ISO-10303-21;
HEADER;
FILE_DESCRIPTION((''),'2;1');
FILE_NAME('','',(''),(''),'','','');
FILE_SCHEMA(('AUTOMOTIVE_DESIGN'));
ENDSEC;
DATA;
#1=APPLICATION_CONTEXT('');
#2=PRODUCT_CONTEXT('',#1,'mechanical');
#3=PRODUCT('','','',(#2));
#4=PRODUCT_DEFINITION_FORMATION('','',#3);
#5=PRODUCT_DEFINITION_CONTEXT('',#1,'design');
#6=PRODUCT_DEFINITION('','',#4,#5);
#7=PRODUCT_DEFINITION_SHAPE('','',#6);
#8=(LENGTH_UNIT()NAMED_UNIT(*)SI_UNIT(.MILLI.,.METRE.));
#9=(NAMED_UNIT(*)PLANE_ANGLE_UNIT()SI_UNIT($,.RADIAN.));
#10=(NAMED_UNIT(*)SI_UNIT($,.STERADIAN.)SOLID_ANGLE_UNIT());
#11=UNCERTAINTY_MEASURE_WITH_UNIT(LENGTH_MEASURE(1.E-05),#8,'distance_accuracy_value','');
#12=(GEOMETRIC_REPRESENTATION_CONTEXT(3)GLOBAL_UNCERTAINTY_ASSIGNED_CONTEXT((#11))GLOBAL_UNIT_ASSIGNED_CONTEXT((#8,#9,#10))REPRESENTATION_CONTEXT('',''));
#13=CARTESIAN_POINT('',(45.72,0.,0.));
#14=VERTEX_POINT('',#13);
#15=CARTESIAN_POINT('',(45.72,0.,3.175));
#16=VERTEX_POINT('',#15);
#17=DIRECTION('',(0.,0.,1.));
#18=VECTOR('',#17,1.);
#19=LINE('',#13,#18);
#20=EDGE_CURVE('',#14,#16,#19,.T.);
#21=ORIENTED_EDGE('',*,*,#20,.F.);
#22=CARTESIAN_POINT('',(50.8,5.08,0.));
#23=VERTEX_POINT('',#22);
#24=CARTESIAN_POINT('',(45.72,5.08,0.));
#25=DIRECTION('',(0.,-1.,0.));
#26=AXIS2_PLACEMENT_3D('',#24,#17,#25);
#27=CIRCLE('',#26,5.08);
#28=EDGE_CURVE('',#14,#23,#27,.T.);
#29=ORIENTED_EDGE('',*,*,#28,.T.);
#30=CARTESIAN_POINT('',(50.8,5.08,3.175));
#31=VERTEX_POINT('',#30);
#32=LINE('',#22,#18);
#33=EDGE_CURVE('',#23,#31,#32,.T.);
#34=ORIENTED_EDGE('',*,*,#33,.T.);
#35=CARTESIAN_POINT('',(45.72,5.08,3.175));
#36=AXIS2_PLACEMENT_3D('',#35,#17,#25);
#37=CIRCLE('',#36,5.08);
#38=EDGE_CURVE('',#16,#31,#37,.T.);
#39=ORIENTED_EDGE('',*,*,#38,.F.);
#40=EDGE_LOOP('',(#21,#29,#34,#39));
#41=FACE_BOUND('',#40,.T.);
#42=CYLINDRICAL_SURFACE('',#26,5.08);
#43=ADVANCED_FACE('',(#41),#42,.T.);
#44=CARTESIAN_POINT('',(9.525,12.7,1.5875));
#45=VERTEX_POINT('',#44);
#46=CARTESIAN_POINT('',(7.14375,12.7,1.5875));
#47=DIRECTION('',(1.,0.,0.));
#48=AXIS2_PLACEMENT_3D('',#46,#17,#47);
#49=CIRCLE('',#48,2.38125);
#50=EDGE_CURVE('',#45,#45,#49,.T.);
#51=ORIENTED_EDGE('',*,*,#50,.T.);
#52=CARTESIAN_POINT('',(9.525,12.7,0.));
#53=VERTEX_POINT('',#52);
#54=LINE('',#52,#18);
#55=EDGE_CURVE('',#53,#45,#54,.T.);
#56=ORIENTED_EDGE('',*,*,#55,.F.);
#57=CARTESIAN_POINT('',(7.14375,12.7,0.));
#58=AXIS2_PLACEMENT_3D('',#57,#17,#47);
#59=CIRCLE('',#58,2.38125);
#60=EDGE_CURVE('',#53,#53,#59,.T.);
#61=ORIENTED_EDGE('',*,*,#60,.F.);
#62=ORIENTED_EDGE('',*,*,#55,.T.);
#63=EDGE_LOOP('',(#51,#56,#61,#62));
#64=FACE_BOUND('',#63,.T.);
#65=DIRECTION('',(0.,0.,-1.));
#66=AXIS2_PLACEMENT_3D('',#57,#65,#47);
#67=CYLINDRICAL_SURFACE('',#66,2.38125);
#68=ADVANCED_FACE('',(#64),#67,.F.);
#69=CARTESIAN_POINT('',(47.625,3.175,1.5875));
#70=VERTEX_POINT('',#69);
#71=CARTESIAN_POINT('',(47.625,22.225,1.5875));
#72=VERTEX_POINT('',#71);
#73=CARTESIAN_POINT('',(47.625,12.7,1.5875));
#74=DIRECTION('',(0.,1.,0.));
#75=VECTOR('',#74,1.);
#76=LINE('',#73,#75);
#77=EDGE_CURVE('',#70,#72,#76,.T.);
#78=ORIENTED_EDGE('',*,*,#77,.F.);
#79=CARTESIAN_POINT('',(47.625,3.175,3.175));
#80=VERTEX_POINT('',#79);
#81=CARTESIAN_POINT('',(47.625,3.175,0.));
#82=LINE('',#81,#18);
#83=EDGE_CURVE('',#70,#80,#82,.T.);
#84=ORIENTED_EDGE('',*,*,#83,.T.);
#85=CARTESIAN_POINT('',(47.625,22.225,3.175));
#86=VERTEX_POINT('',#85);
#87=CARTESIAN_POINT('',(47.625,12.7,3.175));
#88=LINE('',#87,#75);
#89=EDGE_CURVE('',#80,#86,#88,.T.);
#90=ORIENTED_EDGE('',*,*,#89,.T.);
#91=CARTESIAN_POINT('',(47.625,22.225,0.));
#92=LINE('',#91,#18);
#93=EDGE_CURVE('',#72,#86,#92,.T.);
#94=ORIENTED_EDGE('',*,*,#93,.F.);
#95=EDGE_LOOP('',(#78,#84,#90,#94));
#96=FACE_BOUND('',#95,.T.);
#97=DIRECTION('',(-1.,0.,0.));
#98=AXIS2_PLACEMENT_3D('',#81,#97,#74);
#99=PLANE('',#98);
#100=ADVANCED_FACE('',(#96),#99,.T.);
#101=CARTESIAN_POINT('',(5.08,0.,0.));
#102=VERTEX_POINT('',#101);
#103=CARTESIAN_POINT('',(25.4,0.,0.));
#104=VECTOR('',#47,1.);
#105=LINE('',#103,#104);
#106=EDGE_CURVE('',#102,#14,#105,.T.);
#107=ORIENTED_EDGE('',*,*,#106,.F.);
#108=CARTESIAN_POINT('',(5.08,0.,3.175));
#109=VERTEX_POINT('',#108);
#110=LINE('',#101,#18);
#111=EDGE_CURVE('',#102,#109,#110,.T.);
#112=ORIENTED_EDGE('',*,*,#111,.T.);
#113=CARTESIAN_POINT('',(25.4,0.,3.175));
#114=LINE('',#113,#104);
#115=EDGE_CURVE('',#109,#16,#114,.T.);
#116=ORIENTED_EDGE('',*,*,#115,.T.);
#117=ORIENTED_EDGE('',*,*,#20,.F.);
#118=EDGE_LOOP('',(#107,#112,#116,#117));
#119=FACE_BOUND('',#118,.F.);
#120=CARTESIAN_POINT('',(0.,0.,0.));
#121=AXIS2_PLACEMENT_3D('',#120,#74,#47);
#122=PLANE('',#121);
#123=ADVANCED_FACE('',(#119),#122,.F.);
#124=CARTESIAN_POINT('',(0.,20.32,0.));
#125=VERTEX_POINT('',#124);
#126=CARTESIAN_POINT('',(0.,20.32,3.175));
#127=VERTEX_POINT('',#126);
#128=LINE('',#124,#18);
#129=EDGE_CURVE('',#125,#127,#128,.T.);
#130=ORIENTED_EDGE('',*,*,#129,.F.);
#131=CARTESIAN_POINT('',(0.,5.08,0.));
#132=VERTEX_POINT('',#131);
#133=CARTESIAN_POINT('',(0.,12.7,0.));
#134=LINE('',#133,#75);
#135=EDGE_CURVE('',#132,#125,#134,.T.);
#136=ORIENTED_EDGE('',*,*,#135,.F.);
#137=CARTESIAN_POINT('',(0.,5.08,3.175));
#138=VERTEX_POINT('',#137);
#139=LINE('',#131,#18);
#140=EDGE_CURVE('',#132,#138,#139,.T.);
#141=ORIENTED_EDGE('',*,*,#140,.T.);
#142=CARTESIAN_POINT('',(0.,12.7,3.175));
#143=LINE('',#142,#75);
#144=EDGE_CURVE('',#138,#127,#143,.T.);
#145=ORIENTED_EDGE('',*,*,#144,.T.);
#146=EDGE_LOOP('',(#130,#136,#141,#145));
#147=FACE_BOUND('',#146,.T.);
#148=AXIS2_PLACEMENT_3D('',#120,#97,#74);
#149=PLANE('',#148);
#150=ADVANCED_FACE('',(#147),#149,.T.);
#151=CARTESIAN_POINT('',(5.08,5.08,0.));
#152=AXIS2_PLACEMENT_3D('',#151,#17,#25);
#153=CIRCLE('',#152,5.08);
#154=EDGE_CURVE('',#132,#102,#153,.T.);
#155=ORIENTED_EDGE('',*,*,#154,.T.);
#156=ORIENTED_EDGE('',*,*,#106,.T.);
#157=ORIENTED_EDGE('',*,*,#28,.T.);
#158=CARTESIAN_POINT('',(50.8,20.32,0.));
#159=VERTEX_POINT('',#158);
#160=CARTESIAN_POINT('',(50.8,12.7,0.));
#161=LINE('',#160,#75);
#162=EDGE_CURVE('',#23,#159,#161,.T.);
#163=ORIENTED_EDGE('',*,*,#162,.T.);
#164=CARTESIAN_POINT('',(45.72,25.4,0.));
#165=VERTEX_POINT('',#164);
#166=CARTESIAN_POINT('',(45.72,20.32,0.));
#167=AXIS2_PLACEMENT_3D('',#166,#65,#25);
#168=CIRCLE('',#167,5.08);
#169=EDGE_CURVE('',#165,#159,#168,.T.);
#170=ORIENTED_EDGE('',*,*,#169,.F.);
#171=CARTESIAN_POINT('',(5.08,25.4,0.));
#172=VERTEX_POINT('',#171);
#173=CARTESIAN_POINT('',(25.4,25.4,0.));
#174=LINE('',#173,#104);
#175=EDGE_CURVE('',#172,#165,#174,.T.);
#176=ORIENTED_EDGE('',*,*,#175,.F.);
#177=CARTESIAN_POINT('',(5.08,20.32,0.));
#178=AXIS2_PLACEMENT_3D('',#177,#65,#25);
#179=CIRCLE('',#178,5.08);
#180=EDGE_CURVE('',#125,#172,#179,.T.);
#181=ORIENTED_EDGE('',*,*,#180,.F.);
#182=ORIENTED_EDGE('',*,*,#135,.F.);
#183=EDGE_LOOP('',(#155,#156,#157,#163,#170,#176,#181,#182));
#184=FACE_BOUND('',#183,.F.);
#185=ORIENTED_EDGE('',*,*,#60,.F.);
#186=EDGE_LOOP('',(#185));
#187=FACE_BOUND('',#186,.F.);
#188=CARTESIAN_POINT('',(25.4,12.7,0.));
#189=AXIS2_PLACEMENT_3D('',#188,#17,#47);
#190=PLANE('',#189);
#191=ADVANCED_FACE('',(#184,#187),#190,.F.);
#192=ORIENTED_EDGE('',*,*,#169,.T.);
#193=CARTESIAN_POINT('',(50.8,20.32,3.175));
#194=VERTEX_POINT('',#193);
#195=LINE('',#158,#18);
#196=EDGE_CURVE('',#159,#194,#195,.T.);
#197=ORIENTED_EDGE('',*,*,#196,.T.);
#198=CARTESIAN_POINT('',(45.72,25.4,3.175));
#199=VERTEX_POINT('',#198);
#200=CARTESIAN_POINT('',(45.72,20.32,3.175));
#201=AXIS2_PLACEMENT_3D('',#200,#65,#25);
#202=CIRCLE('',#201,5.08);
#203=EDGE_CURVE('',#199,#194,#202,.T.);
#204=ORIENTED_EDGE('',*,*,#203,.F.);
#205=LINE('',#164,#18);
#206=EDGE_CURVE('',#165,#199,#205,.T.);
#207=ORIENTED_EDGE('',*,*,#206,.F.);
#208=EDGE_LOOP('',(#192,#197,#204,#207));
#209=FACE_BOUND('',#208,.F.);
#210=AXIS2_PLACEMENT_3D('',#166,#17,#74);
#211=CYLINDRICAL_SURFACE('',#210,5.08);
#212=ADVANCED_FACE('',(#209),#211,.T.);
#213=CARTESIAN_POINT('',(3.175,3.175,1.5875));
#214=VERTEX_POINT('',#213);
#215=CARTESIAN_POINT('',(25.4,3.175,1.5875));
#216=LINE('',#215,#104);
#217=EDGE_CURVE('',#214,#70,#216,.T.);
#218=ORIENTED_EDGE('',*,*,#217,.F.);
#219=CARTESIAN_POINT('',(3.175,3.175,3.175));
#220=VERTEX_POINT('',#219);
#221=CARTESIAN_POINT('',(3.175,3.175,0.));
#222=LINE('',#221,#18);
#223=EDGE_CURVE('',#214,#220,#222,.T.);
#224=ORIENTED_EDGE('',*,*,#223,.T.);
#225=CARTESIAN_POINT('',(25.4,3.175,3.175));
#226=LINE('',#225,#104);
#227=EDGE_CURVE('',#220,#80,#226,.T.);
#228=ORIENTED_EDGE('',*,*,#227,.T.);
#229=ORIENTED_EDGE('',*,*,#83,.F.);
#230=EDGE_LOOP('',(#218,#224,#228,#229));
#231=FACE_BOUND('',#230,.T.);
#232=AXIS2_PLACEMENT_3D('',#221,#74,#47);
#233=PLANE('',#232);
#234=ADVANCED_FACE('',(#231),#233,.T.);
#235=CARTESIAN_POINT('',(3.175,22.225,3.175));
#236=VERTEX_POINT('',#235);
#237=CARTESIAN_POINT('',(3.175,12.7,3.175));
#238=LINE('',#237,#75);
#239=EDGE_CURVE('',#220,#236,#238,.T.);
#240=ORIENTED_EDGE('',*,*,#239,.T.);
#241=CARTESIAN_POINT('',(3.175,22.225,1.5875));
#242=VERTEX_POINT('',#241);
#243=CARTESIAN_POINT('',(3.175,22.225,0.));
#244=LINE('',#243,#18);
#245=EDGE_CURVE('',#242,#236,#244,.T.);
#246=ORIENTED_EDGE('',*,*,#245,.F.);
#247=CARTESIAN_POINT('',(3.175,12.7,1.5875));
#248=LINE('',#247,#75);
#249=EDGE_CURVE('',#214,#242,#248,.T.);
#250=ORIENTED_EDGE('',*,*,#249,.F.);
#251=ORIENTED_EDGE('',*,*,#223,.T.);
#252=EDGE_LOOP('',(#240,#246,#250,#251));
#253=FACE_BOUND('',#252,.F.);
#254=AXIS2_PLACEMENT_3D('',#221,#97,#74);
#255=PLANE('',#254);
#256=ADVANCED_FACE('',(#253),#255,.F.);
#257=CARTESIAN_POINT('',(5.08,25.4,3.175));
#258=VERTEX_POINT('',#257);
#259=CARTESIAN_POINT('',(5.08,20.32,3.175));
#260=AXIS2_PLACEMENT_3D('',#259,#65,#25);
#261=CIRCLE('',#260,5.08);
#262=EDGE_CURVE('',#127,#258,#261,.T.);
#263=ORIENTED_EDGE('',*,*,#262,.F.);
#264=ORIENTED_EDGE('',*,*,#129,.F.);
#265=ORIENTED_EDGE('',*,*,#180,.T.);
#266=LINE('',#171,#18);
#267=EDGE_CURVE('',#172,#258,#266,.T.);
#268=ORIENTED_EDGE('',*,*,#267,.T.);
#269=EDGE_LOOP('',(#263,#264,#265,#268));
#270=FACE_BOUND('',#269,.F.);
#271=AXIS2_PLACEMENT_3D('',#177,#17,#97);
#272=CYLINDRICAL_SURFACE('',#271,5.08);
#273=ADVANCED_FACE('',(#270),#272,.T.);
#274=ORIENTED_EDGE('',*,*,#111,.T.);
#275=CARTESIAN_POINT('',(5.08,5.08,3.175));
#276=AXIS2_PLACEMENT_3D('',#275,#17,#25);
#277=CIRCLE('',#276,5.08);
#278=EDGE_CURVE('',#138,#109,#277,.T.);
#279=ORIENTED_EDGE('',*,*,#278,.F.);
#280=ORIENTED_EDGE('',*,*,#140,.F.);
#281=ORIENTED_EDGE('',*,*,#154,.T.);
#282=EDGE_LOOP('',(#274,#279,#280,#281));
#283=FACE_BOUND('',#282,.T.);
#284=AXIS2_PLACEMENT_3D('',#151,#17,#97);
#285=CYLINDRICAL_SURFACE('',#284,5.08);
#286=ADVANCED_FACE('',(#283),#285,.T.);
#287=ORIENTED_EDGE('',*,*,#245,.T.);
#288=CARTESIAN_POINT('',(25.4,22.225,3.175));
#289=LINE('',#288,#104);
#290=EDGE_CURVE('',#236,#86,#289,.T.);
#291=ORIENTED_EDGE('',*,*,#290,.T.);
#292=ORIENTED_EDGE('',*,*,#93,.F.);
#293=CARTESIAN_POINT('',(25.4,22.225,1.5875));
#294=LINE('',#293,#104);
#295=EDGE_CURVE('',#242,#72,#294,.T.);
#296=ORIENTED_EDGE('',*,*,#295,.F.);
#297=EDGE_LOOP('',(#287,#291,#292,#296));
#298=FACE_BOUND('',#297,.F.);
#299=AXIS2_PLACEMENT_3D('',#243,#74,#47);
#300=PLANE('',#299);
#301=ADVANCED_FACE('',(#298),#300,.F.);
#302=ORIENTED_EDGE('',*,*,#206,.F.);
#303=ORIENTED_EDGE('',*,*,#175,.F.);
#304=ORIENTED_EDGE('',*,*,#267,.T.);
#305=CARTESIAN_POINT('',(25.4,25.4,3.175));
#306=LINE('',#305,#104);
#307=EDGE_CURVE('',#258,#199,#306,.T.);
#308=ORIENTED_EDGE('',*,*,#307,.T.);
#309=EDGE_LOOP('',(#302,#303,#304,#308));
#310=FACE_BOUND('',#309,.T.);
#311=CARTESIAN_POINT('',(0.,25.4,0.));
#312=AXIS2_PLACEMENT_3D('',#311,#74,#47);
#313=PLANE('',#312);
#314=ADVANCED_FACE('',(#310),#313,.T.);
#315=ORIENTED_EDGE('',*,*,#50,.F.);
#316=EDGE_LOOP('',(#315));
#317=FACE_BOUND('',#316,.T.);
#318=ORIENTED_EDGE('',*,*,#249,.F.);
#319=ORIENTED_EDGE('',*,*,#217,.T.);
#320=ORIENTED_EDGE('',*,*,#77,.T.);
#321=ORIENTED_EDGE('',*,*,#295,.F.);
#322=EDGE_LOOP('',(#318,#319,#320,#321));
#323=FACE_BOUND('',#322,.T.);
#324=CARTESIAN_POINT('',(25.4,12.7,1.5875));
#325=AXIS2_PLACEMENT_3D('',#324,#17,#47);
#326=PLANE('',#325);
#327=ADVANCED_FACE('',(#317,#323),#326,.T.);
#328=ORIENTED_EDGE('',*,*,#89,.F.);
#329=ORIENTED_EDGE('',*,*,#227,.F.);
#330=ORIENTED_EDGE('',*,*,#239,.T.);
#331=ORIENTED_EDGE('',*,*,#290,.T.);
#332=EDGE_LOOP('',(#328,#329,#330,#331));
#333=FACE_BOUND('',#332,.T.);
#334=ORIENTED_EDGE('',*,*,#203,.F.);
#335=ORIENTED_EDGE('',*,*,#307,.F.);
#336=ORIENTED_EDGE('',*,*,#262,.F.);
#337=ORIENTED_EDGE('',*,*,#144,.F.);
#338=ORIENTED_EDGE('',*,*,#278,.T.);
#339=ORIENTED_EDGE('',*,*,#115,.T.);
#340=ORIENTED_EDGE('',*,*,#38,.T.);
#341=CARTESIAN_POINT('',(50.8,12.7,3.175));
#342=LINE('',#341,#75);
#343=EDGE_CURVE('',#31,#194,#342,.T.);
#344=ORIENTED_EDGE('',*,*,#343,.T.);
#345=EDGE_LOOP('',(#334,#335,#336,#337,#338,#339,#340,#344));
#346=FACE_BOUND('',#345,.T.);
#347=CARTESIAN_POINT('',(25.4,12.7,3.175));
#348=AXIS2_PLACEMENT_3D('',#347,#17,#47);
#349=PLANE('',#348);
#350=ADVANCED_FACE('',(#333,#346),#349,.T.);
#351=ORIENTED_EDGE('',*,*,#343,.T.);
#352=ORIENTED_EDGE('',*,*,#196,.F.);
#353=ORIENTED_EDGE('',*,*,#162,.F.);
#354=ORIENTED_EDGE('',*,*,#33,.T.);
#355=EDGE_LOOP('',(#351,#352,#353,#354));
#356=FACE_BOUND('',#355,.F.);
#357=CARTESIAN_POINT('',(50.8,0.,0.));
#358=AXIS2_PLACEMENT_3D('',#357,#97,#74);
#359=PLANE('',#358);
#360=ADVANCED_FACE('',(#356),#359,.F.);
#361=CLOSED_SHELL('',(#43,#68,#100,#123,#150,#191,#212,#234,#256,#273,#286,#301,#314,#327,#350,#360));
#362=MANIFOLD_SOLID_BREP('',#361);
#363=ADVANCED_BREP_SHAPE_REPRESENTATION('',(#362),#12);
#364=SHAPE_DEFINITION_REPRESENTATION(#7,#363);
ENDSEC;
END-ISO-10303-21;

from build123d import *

# Parameters (mm, degrees)
F0_W     = 44.45
F0_H     = 19.05
F0_R     = 2.38125
F1_DEPTH = 1.5875
F0_W_2   = 50.8
F0_H_2   = 25.4
F2_DEPTH = 3.175
F3_R     = 5.08


with BuildPart() as f1:
    # F0 (on Top) → F1 (new body)
    with BuildSketch(Plane.XY):
        with Locations((25.4, 12.7)):
            Rectangle(F0_W, F0_H)
        with Locations((7.14375, 12.7)):
            Circle(F0_R, mode=Mode.SUBTRACT)
    extrude(amount=F1_DEPTH)

    # F0 (on Top) → F2 (join)
    with BuildSketch(Plane.XY):
        with Locations((25.4, 12.7)):
            Rectangle(F0_W_2, F0_H_2)
        with Locations((25.4, 12.7)):
            Rectangle(F0_W, F0_H, mode=Mode.SUBTRACT)
    extrude(amount=F2_DEPTH)

    # F3
    f3_edges = [f1.edges().sort_by_distance(p)[0] for p in [
        (50.8, 0, 1.5875),
        (50.8, 25.4, 1.5875),
        (0, 0, 1.5875),
        (0, 25.4, 1.5875),
    ]]
    fillet(f3_edges, radius=F3_R)


solid = f1.part
